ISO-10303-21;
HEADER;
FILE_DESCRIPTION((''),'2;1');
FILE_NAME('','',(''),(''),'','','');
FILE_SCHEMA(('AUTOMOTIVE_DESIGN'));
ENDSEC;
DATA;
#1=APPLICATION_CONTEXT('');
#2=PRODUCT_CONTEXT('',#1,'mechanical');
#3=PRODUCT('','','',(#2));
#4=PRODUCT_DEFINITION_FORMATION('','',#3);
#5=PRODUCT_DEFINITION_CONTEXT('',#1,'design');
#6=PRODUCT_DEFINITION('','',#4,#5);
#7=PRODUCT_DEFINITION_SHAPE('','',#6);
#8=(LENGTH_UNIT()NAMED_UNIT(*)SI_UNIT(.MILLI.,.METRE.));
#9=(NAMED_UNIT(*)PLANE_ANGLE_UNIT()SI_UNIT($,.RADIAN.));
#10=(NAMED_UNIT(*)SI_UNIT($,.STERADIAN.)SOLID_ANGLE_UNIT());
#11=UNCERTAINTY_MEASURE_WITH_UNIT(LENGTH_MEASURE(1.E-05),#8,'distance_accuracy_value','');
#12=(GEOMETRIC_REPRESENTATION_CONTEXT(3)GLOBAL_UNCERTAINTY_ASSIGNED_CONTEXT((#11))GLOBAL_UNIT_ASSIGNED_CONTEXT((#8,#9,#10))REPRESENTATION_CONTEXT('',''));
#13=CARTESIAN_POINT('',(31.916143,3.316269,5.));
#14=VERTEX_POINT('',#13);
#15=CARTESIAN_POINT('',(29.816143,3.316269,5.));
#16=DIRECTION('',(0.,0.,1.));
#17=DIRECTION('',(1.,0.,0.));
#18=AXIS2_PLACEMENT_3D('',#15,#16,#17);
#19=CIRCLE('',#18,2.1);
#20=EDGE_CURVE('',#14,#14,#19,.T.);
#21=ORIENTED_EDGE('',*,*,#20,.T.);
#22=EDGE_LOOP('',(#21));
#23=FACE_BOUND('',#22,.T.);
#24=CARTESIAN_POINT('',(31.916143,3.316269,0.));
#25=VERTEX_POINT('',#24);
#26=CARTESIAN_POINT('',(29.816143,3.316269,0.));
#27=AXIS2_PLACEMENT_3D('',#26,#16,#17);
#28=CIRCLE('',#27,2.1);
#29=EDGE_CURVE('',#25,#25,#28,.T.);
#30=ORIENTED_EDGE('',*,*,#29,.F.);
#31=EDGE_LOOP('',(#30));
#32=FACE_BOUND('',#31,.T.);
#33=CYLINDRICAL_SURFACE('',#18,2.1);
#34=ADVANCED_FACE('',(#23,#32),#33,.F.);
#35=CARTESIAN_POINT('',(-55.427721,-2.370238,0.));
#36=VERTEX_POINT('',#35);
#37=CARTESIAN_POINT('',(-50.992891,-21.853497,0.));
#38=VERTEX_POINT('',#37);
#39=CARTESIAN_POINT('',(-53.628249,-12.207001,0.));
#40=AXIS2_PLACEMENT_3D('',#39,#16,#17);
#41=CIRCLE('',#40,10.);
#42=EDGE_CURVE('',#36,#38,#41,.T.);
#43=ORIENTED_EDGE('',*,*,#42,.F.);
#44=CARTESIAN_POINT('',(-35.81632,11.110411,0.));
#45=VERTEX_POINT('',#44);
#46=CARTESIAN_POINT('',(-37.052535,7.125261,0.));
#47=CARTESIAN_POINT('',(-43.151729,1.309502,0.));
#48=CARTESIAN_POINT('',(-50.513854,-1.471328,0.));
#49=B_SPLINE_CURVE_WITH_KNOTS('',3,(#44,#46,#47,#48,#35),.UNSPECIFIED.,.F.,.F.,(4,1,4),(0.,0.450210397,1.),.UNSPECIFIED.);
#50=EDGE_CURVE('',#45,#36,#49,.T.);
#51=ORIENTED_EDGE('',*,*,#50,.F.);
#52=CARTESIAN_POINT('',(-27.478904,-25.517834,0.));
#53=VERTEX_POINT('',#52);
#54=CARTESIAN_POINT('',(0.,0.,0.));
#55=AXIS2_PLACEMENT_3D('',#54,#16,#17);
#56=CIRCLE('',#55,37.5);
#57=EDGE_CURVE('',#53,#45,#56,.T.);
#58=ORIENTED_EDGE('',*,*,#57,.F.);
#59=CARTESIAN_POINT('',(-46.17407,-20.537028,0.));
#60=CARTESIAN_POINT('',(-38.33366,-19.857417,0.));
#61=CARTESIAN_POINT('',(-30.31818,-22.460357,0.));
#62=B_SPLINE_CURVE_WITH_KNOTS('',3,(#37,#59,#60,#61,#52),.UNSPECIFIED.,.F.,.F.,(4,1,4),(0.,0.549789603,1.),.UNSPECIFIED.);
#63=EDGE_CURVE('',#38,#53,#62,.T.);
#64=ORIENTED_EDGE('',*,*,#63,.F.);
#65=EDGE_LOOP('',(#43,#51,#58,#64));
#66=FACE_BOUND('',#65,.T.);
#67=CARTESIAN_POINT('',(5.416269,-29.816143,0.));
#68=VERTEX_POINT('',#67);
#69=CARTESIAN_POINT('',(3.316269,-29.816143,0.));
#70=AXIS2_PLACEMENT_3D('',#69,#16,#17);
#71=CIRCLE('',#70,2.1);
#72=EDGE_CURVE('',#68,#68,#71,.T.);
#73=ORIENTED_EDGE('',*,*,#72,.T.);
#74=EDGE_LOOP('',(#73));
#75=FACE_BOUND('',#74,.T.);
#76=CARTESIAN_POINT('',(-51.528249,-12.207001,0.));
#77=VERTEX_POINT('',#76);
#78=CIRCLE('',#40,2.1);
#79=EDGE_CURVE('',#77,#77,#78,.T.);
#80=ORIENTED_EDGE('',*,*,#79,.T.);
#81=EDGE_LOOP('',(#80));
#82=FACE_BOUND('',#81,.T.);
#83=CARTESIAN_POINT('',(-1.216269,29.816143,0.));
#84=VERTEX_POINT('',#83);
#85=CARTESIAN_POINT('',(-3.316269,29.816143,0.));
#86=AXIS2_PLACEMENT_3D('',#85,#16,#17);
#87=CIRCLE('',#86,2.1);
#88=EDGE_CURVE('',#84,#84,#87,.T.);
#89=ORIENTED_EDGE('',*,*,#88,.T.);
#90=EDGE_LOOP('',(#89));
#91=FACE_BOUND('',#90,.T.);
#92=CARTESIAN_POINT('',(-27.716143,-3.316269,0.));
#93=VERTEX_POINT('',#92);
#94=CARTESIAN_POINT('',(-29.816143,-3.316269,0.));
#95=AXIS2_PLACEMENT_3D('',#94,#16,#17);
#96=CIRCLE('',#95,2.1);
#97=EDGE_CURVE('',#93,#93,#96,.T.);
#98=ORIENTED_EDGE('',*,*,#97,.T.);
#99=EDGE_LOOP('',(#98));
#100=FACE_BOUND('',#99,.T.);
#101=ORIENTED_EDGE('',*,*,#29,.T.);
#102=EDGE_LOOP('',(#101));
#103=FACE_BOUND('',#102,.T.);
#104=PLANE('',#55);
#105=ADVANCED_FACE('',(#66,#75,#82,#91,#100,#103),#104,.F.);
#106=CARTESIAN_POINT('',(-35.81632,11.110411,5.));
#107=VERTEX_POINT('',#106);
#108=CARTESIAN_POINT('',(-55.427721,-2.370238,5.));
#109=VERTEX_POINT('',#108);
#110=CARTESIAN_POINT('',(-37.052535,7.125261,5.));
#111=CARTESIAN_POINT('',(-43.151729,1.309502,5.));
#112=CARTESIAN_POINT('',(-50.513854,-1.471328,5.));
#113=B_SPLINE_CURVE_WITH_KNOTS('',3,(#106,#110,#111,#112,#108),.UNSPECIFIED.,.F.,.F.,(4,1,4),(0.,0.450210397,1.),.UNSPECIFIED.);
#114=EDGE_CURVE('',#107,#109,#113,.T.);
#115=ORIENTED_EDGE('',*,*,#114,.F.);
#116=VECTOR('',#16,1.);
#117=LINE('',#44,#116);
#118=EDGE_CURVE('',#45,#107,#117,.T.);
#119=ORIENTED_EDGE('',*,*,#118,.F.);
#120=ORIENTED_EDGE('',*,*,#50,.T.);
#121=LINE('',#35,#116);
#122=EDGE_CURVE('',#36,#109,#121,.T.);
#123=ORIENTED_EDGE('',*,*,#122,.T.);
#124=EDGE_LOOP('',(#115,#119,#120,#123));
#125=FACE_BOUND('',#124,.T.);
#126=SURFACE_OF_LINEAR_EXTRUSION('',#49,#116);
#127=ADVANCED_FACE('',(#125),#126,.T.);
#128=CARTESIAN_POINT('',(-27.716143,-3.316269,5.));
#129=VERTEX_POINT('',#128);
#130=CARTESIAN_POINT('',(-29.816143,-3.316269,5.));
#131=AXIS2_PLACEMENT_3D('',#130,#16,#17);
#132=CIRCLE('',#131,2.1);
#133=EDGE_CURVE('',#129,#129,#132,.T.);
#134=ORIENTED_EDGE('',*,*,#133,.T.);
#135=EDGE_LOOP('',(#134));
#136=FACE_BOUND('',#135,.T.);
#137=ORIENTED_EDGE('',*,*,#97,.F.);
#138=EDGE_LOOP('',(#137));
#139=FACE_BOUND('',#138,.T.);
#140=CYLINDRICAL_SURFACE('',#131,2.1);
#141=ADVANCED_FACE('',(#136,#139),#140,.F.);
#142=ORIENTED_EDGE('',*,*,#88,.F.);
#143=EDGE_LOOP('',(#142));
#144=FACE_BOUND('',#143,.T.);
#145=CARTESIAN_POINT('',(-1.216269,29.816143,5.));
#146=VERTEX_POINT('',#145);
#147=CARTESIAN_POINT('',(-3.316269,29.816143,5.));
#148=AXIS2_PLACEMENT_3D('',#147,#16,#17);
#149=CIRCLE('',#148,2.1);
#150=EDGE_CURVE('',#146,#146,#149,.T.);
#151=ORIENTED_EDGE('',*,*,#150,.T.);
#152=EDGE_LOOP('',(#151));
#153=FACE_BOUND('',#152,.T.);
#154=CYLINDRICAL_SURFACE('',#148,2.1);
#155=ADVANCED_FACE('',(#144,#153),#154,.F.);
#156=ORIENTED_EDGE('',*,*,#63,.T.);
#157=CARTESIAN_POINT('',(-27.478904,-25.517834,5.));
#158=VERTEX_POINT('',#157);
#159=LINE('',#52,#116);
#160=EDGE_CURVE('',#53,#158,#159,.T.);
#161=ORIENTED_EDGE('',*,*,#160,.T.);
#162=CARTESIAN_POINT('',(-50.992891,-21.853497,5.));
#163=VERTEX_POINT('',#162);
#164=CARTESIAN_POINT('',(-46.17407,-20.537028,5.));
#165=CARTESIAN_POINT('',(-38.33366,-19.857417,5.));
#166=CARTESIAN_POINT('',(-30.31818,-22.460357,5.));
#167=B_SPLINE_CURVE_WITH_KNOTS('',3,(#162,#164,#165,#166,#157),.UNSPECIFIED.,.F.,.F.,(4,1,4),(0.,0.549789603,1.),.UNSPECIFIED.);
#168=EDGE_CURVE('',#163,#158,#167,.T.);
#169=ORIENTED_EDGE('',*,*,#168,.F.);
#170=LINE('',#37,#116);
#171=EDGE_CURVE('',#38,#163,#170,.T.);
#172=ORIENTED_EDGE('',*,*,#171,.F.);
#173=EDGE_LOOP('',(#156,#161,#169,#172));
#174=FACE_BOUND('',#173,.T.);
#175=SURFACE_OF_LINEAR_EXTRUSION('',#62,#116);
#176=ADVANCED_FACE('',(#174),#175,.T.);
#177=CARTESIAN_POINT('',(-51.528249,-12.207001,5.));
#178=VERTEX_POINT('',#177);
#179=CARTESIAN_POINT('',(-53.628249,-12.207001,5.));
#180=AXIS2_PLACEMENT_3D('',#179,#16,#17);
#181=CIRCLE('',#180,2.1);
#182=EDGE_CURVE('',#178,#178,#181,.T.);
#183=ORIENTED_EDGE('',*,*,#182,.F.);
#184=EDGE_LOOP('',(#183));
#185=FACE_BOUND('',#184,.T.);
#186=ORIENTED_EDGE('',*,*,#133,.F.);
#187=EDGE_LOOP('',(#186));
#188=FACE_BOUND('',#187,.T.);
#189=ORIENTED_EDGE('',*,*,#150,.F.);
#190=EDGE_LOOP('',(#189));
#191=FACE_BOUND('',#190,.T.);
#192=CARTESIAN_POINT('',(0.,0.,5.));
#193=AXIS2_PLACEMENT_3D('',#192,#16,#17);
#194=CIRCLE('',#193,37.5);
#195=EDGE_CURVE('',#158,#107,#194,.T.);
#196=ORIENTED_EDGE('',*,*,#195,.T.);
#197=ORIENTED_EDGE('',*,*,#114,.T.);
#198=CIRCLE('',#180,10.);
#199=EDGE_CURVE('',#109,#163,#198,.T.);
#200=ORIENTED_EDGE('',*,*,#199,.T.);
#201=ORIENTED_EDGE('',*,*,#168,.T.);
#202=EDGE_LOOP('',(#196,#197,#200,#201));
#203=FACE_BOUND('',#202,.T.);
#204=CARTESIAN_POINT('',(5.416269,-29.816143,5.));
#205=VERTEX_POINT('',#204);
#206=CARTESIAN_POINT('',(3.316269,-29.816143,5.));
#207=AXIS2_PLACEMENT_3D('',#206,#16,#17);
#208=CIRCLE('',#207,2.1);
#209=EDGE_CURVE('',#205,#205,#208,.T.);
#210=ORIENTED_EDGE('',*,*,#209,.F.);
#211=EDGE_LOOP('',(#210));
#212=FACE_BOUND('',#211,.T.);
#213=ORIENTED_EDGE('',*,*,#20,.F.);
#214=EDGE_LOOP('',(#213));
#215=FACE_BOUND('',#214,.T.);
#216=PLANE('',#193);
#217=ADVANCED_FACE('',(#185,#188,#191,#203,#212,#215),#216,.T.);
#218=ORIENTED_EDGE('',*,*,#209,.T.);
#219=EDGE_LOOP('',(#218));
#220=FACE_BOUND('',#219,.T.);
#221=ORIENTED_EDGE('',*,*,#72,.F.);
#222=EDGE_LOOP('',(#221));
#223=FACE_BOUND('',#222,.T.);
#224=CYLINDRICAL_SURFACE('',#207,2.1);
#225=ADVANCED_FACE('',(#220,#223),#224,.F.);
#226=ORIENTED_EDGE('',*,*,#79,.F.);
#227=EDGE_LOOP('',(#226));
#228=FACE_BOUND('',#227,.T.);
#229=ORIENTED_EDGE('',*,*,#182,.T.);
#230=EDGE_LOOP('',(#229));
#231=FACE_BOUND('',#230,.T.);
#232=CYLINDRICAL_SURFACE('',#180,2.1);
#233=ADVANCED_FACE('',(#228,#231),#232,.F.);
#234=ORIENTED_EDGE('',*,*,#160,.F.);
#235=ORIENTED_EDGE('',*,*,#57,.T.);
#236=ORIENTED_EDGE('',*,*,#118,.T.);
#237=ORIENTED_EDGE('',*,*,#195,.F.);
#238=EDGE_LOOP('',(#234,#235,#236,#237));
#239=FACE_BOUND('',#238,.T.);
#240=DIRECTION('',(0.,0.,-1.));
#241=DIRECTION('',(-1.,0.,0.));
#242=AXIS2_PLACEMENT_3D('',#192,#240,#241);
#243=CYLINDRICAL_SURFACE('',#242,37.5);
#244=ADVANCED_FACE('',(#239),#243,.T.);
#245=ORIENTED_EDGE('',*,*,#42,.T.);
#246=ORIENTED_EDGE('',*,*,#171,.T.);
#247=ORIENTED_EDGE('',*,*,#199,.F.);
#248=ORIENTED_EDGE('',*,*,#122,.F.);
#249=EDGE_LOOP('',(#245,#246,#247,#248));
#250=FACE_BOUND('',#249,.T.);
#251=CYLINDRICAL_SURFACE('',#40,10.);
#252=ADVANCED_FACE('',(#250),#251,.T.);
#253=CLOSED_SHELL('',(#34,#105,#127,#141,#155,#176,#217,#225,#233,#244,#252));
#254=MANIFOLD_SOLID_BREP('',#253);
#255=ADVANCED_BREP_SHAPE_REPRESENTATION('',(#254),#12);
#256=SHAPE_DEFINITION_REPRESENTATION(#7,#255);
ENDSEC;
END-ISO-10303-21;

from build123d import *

# Parameters (mm, degrees)
ESQUISSE1_R                               = 37.5
BOSS_EXTRU_1_DEPTH                        = 5
TROU_POUR_TARAUDAGE_POUR_TROU_TARAUD_M5_D = 4.2
R_P_TITION_CIRCULAIRE1_COUNT              = 4
BOSS_EXTRU_2_DEPTH                        = 5
TROU_POUR_TARAUDAGE_POUR_TROU_TARAUD_2_D  = 4.2


with BuildPart() as part:
    # Esquisse1 → Boss.-Extru.1 (new body)
    with BuildSketch(Plane.XY):
        Circle(ESQUISSE1_R)
    extrude(amount=BOSS_EXTRU_1_DEPTH)

    # Trou pour taraudage pour trou taraud_ M5 (through all)
    with Locations(Plane.XY.offset(5)):
        with Locations((3.3162691, -29.816142595)):
            trou_pour_taraudage_pour_trou_taraud_m5 = Hole(TROU_POUR_TARAUDAGE_POUR_TROU_TARAUD_M5_D / 2)

    # Répétition circulaire1: Trou pour taraudage pour trou taraud_ M5 ×4 about axis
    r_p_tition_circulaire1_axis = Axis((0, 0, 0), (0, 0, 1))
    for i in range(1, R_P_TITION_CIRCULAIRE1_COUNT):
        add(trou_pour_taraudage_pour_trou_taraud_m5.rotate(r_p_tition_circulaire1_axis, i * 360 / R_P_TITION_CIRCULAIRE1_COUNT), mode=Mode.SUBTRACT)

    # Esquisse4 → Boss.-Extru.2 (add)
    with BuildSketch(Plane.XY.offset(5)):
        with BuildLine():
            ThreePointArc((-55.427721141, -2.370238342), (-63.3788401, -14.426455821), (-50.992891265, -21.853497228))
            add(Edge.make_bspline(
                [(-27.47890369, -25.517833999), (-30.318179528, -22.460357126), (-38.333660049, -19.857417418), (-46.174070418, -20.537027691), (-50.992891265, -21.853497228)],
                knots=[0, 0, 0, 0, 0.450210397, 1, 1, 1, 1], degree=3))
            ThreePointArc((-27.47890369, -25.517833999), (-36.564715442, -8.322955281), (-35.816319782, 11.110411212))
            add(Edge.make_bspline(
                [(-35.816319782, 11.110411212), (-37.052534505, 7.125260617), (-43.151729094, 1.309501984), (-50.513854322, -1.471328291), (-55.427721141, -2.370238342)],
                knots=[0, 0, 0, 0, 0.450210397, 1, 1, 1, 1], degree=3))
        make_face()
    extrude(amount=-BOSS_EXTRU_2_DEPTH)

    # Trou pour taraudage pour trou taraud 2 (through all)
    with Locations(Plane.XY.offset(5)):
        with Locations((-53.628249316, -12.207001079)):
            Hole(TROU_POUR_TARAUDAGE_POUR_TROU_TARAUD_2_D / 2)


solid = part.part
